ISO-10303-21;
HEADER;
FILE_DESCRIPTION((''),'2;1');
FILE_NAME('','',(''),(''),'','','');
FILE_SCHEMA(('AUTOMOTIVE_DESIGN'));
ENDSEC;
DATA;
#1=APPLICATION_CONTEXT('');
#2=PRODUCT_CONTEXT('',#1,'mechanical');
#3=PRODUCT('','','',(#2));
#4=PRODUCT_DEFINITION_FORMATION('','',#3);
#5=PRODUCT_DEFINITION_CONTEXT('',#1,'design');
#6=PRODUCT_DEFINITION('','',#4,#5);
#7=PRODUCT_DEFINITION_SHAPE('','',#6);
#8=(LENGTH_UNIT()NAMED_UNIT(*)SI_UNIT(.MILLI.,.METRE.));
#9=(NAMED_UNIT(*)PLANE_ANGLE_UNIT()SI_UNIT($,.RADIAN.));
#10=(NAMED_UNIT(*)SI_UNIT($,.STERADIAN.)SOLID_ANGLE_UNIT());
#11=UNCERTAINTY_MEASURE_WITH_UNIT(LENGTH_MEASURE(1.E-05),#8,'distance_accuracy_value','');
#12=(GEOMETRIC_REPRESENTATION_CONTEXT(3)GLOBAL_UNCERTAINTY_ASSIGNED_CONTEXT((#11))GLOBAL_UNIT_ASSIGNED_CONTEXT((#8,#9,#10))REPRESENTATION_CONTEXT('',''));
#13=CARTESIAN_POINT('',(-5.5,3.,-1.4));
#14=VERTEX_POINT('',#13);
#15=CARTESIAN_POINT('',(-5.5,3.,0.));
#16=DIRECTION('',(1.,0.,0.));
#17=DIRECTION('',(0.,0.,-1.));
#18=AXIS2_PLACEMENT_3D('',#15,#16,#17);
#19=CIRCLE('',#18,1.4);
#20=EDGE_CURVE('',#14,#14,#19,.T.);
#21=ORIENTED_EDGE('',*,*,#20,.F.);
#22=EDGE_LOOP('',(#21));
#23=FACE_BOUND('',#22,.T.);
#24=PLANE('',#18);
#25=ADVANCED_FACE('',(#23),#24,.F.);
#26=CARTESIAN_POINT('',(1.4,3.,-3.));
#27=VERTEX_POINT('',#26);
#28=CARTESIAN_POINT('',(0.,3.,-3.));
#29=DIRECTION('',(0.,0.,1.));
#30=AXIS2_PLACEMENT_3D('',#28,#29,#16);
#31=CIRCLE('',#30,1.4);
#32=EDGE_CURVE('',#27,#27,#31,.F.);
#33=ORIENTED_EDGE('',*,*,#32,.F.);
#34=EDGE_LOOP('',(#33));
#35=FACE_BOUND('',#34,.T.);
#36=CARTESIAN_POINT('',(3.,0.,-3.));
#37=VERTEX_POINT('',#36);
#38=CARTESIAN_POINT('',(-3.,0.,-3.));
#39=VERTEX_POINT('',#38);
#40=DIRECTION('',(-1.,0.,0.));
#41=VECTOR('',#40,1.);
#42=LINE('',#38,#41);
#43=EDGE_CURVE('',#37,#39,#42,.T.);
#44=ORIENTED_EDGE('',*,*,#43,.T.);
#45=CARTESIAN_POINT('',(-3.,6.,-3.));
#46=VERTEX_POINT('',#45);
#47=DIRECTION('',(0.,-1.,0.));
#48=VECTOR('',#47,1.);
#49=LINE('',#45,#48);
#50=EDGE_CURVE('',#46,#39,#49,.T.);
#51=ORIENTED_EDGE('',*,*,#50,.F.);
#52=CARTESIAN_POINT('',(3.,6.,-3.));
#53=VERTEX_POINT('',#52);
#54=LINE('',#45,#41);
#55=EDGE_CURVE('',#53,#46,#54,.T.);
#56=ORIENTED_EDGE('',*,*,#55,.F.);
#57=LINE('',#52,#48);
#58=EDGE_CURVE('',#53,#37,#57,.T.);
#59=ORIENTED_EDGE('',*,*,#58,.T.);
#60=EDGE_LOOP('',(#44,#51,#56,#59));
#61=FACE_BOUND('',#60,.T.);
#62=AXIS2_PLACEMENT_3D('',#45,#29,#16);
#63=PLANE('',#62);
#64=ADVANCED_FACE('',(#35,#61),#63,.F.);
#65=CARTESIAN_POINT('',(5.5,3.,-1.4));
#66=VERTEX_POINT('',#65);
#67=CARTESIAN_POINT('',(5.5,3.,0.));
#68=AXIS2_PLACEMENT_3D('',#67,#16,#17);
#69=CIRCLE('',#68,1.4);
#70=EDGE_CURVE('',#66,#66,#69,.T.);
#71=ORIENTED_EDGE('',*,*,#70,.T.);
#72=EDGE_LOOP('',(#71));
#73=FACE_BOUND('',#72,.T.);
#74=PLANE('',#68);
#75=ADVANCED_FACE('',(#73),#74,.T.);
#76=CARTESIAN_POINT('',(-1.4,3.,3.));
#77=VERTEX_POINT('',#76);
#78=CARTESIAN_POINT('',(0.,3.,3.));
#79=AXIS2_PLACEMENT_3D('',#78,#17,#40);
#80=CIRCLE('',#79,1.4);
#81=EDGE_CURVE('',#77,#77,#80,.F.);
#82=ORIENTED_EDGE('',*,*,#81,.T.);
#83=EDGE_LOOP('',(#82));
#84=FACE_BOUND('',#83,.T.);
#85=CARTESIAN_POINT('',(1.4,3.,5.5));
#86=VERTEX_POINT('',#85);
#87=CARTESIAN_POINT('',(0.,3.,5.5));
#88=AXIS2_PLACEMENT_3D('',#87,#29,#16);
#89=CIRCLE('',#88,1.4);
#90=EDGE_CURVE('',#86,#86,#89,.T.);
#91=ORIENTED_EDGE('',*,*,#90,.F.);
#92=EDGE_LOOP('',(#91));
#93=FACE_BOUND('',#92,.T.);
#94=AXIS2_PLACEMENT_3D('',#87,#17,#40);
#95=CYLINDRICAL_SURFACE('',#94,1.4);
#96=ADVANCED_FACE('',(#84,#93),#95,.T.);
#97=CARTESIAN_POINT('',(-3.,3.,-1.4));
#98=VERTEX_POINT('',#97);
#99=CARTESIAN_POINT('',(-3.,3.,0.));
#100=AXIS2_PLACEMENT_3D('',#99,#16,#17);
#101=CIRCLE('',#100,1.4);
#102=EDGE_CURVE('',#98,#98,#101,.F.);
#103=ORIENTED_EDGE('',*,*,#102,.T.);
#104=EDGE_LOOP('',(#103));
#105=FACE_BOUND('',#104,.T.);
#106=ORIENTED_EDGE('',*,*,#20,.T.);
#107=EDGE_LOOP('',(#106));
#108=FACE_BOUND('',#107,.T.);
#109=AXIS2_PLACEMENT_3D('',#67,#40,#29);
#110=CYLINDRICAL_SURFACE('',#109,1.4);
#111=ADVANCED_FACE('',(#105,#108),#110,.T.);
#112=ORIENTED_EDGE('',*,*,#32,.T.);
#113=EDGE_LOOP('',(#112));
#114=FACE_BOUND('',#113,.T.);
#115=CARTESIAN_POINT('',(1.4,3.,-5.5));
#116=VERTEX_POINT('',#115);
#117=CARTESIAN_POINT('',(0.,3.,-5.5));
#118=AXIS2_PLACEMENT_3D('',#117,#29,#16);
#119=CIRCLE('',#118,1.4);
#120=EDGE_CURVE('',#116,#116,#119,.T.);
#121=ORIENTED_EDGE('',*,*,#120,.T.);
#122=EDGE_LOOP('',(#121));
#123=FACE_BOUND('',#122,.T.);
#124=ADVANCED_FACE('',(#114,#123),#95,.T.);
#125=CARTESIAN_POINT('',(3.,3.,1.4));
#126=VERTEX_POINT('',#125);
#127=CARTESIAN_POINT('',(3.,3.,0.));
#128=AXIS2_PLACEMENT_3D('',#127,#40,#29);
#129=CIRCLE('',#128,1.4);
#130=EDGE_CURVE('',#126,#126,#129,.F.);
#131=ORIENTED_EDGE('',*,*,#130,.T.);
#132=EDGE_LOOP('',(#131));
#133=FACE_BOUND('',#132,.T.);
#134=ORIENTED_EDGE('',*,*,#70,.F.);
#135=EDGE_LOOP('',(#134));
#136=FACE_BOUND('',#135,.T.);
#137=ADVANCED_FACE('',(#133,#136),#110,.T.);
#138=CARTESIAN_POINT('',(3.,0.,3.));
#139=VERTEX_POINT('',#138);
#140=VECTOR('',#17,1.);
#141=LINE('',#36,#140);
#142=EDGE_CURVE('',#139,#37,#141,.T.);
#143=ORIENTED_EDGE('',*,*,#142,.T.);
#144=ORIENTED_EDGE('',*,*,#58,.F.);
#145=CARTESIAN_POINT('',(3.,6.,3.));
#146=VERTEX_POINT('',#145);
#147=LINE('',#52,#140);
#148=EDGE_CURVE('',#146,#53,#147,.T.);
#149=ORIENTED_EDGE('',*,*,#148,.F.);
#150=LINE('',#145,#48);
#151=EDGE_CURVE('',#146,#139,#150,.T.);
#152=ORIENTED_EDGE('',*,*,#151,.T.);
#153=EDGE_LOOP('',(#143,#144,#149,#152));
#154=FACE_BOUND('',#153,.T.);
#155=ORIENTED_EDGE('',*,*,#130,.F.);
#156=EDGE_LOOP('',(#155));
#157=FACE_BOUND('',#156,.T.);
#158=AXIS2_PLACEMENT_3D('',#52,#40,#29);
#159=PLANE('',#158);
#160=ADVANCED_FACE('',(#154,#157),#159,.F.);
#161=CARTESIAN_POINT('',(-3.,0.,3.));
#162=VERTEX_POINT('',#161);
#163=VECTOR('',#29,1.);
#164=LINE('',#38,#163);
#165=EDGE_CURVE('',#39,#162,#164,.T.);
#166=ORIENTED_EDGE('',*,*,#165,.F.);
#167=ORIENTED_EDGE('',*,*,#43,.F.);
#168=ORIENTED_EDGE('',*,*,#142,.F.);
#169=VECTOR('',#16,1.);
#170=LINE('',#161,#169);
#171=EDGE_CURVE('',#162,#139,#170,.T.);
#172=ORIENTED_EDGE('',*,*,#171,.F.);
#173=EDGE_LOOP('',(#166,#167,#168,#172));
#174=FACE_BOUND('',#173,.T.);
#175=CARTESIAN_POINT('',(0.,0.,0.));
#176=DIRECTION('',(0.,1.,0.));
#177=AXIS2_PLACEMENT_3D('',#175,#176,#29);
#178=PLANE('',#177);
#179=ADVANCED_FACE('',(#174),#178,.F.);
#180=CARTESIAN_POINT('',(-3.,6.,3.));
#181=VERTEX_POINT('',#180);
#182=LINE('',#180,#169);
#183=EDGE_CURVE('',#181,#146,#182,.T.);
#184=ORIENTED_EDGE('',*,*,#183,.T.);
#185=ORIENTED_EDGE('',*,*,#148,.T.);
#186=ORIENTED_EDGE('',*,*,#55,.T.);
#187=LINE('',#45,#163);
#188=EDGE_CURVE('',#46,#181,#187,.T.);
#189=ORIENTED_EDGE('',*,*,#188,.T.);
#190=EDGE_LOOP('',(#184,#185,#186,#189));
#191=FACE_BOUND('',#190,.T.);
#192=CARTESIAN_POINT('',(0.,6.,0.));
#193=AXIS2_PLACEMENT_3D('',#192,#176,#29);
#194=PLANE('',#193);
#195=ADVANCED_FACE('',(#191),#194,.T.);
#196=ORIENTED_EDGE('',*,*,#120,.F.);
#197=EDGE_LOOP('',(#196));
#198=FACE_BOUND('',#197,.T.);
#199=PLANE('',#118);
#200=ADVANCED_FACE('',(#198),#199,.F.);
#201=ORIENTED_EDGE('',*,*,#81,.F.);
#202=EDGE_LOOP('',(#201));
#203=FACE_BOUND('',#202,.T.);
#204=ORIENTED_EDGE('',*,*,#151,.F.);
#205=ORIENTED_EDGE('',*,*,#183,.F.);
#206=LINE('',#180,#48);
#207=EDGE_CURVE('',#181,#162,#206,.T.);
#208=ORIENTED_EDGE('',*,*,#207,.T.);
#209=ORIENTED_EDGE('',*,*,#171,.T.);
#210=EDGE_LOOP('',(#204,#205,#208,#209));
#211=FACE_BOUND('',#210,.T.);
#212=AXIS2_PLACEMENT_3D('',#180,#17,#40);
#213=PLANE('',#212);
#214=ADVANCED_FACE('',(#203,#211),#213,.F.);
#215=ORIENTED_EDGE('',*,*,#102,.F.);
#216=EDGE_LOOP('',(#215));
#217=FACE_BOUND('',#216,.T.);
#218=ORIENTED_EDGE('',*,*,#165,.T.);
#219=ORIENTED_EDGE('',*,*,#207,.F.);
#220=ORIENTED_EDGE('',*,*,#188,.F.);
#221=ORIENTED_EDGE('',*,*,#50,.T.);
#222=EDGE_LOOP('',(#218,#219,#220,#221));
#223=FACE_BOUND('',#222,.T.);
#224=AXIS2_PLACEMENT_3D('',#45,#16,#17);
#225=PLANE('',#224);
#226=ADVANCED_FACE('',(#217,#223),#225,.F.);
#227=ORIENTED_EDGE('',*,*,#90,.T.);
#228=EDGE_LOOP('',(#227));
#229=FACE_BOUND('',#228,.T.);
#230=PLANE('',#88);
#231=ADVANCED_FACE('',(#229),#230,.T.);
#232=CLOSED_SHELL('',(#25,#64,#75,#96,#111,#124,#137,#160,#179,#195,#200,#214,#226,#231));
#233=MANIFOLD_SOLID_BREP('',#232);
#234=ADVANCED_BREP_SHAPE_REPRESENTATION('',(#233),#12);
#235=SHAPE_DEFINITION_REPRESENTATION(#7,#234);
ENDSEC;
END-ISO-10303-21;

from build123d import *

# Parameters (mm, degrees)
SKETCH_1_W      = 6
SKETCH_1_H      = 6
EXTRUDE_1_DEPTH = 6
SKETCH_2_R      = 1.4
EXTRUDE_2_DEPTH = 5.5
SKETCH_3_R      = 1.4
EXTRUDE_3_DEPTH = 5.5


with BuildPart() as part:
    # 草图1 → 凸台-拉伸1 (new body)
    with BuildSketch(Plane(origin=(0, 0, 0), x_dir=(1, 0, 0), z_dir=(0, 1, 0))):
        Rectangle(SKETCH_1_W, SKETCH_1_H)
    extrude(amount=EXTRUDE_1_DEPTH)

    # 草图2 → 凸台-拉伸2 (add, symmetric)
    with BuildSketch(Plane.XY):
        with Locations((0, 3)):
            Circle(SKETCH_2_R)
    extrude(amount=EXTRUDE_2_DEPTH, both=True)

    # 草图3 → 凸台-拉伸3 (add, symmetric)
    with BuildSketch(Plane(origin=(0, 0, 0), x_dir=(0, 0, -1), z_dir=(1, 0, 0))):
        with Locations((0, 3)):
            Circle(SKETCH_3_R)
    extrude(amount=EXTRUDE_3_DEPTH, both=True)


solid = part.part
